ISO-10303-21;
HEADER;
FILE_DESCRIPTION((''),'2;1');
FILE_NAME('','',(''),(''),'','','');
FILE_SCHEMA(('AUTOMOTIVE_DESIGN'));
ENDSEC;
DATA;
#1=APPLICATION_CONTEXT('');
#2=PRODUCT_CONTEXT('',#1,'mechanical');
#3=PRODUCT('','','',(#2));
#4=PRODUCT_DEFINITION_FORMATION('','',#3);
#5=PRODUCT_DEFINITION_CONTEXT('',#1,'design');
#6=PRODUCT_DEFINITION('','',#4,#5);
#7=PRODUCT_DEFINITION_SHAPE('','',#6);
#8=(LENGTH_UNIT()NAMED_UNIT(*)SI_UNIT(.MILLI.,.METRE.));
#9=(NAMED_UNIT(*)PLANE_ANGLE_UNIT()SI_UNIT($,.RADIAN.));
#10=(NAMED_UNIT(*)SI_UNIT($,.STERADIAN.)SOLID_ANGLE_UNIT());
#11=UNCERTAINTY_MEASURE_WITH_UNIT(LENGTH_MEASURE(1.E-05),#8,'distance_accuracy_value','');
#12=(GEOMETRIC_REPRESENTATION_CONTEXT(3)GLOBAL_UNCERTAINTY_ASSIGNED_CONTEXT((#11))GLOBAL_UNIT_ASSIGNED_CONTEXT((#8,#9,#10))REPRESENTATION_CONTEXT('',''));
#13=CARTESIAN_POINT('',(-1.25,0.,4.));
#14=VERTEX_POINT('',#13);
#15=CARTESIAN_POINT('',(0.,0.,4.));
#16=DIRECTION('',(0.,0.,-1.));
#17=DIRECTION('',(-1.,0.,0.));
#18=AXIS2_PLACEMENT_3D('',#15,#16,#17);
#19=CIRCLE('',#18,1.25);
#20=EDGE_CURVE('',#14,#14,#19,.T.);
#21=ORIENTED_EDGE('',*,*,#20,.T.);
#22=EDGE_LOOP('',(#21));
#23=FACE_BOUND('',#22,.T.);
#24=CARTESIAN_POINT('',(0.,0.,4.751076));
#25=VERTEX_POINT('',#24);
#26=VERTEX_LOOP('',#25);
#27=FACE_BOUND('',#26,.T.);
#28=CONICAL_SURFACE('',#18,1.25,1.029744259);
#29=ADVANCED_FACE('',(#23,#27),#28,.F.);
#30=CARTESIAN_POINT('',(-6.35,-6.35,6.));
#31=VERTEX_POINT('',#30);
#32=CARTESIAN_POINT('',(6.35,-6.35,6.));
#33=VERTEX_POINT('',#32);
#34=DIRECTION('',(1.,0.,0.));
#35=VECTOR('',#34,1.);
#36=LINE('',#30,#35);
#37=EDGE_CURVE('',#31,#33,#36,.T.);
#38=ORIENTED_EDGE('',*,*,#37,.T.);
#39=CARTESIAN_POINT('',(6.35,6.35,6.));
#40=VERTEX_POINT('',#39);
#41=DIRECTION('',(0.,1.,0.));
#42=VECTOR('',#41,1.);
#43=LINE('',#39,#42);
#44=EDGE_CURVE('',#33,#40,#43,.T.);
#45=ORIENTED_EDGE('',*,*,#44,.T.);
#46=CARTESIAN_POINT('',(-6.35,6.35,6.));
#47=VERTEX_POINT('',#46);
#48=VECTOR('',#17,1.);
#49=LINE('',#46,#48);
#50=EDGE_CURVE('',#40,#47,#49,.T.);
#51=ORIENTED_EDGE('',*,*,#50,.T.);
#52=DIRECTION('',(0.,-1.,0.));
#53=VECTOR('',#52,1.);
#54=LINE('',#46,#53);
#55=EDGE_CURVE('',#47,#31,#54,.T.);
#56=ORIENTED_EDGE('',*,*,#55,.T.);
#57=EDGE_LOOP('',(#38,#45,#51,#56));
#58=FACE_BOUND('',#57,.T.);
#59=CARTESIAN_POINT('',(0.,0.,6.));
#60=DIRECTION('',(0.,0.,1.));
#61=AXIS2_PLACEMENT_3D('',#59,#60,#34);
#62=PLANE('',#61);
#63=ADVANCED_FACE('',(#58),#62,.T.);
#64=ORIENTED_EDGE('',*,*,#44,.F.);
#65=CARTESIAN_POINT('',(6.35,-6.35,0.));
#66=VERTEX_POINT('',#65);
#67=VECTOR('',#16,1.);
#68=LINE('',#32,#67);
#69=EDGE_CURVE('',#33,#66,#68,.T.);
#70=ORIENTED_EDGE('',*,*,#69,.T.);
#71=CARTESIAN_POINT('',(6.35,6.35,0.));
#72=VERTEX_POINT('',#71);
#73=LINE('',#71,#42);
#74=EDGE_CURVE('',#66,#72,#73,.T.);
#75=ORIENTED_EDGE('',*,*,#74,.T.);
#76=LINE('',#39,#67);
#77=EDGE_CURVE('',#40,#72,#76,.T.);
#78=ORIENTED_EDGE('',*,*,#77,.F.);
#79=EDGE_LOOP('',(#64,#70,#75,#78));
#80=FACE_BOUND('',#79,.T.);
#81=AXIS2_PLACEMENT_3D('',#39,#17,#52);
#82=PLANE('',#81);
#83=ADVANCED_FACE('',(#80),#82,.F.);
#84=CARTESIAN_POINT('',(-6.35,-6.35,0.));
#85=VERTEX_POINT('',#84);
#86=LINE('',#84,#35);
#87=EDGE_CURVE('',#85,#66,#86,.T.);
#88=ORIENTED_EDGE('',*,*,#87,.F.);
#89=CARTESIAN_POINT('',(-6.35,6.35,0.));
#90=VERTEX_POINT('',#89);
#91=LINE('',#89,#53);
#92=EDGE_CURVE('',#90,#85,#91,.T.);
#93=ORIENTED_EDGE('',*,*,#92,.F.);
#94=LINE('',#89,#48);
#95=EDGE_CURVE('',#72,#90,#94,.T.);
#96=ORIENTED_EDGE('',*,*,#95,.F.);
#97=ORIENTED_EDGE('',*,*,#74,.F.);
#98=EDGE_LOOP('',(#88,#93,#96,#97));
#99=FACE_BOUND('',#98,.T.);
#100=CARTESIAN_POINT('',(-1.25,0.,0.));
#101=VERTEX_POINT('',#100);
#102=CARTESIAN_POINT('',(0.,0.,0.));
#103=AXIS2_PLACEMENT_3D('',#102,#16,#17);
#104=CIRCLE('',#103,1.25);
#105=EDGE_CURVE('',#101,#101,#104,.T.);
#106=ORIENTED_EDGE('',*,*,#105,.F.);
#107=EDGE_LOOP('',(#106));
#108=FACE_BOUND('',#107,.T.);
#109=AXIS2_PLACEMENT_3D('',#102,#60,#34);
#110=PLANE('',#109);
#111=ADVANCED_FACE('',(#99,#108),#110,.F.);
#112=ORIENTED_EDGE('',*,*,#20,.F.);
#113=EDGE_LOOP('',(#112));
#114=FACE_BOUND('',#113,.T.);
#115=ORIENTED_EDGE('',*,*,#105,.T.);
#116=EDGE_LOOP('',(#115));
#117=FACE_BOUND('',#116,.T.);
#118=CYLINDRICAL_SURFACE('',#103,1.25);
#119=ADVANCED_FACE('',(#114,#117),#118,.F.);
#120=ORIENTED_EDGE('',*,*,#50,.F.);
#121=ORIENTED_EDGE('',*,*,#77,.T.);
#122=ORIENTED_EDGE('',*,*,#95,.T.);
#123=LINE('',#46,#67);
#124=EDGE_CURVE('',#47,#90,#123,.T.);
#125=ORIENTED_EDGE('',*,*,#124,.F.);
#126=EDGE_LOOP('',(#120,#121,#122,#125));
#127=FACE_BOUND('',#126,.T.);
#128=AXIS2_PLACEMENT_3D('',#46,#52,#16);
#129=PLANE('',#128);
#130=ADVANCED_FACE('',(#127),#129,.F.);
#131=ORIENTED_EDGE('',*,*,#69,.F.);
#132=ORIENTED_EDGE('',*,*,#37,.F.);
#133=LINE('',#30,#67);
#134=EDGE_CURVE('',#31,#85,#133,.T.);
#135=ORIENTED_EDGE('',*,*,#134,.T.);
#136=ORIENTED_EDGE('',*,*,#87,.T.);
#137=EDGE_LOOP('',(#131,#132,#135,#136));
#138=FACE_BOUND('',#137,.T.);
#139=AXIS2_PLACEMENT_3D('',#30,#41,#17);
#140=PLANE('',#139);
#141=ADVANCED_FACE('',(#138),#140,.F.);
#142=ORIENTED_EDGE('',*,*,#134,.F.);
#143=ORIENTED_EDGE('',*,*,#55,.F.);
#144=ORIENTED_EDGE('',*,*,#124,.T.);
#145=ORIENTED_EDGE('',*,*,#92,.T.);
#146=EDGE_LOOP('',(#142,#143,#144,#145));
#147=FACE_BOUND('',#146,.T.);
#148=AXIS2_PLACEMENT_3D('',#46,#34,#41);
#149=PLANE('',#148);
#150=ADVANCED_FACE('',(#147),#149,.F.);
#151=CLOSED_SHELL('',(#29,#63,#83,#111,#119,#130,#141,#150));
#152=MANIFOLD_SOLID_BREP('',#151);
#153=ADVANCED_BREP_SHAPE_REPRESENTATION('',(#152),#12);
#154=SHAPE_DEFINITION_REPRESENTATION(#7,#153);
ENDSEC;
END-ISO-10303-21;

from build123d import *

# Parameters (mm, degrees)
SKETCH1_W                       = 12.7
SKETCH1_H                       = 12.7
BOSS_EXTRUDE1_DEPTH             = 6
TAP_DRILL_FOR_M3X0_5_TAP3_D     = 2.5
TAP_DRILL_FOR_M3X0_5_TAP3_DEPTH = 4
TAP_DRILL_FOR_M3X0_5_TAP3_TIP   = 0.751075774


with BuildPart() as part:
    # Sketch1 → Boss-Extrude1 (new body)
    with BuildSketch(Plane.XY):
        Rectangle(SKETCH1_W, SKETCH1_H)
    extrude(amount=BOSS_EXTRUDE1_DEPTH)

    # Tap Drill for M3x0.5 Tap3
    with Locations(Plane(origin=(0, 0, 0), x_dir=(1, 0, 0), z_dir=(0, 0, -1))):
        with Locations((0, 0)):
            Hole(TAP_DRILL_FOR_M3X0_5_TAP3_D / 2, depth=TAP_DRILL_FOR_M3X0_5_TAP3_DEPTH)
            with Locations((0, 0, -(TAP_DRILL_FOR_M3X0_5_TAP3_DEPTH + TAP_DRILL_FOR_M3X0_5_TAP3_TIP / 2))):  # 118° drill point
                Cone(0, TAP_DRILL_FOR_M3X0_5_TAP3_D / 2, TAP_DRILL_FOR_M3X0_5_TAP3_TIP, mode=Mode.SUBTRACT)


solid = part.part
